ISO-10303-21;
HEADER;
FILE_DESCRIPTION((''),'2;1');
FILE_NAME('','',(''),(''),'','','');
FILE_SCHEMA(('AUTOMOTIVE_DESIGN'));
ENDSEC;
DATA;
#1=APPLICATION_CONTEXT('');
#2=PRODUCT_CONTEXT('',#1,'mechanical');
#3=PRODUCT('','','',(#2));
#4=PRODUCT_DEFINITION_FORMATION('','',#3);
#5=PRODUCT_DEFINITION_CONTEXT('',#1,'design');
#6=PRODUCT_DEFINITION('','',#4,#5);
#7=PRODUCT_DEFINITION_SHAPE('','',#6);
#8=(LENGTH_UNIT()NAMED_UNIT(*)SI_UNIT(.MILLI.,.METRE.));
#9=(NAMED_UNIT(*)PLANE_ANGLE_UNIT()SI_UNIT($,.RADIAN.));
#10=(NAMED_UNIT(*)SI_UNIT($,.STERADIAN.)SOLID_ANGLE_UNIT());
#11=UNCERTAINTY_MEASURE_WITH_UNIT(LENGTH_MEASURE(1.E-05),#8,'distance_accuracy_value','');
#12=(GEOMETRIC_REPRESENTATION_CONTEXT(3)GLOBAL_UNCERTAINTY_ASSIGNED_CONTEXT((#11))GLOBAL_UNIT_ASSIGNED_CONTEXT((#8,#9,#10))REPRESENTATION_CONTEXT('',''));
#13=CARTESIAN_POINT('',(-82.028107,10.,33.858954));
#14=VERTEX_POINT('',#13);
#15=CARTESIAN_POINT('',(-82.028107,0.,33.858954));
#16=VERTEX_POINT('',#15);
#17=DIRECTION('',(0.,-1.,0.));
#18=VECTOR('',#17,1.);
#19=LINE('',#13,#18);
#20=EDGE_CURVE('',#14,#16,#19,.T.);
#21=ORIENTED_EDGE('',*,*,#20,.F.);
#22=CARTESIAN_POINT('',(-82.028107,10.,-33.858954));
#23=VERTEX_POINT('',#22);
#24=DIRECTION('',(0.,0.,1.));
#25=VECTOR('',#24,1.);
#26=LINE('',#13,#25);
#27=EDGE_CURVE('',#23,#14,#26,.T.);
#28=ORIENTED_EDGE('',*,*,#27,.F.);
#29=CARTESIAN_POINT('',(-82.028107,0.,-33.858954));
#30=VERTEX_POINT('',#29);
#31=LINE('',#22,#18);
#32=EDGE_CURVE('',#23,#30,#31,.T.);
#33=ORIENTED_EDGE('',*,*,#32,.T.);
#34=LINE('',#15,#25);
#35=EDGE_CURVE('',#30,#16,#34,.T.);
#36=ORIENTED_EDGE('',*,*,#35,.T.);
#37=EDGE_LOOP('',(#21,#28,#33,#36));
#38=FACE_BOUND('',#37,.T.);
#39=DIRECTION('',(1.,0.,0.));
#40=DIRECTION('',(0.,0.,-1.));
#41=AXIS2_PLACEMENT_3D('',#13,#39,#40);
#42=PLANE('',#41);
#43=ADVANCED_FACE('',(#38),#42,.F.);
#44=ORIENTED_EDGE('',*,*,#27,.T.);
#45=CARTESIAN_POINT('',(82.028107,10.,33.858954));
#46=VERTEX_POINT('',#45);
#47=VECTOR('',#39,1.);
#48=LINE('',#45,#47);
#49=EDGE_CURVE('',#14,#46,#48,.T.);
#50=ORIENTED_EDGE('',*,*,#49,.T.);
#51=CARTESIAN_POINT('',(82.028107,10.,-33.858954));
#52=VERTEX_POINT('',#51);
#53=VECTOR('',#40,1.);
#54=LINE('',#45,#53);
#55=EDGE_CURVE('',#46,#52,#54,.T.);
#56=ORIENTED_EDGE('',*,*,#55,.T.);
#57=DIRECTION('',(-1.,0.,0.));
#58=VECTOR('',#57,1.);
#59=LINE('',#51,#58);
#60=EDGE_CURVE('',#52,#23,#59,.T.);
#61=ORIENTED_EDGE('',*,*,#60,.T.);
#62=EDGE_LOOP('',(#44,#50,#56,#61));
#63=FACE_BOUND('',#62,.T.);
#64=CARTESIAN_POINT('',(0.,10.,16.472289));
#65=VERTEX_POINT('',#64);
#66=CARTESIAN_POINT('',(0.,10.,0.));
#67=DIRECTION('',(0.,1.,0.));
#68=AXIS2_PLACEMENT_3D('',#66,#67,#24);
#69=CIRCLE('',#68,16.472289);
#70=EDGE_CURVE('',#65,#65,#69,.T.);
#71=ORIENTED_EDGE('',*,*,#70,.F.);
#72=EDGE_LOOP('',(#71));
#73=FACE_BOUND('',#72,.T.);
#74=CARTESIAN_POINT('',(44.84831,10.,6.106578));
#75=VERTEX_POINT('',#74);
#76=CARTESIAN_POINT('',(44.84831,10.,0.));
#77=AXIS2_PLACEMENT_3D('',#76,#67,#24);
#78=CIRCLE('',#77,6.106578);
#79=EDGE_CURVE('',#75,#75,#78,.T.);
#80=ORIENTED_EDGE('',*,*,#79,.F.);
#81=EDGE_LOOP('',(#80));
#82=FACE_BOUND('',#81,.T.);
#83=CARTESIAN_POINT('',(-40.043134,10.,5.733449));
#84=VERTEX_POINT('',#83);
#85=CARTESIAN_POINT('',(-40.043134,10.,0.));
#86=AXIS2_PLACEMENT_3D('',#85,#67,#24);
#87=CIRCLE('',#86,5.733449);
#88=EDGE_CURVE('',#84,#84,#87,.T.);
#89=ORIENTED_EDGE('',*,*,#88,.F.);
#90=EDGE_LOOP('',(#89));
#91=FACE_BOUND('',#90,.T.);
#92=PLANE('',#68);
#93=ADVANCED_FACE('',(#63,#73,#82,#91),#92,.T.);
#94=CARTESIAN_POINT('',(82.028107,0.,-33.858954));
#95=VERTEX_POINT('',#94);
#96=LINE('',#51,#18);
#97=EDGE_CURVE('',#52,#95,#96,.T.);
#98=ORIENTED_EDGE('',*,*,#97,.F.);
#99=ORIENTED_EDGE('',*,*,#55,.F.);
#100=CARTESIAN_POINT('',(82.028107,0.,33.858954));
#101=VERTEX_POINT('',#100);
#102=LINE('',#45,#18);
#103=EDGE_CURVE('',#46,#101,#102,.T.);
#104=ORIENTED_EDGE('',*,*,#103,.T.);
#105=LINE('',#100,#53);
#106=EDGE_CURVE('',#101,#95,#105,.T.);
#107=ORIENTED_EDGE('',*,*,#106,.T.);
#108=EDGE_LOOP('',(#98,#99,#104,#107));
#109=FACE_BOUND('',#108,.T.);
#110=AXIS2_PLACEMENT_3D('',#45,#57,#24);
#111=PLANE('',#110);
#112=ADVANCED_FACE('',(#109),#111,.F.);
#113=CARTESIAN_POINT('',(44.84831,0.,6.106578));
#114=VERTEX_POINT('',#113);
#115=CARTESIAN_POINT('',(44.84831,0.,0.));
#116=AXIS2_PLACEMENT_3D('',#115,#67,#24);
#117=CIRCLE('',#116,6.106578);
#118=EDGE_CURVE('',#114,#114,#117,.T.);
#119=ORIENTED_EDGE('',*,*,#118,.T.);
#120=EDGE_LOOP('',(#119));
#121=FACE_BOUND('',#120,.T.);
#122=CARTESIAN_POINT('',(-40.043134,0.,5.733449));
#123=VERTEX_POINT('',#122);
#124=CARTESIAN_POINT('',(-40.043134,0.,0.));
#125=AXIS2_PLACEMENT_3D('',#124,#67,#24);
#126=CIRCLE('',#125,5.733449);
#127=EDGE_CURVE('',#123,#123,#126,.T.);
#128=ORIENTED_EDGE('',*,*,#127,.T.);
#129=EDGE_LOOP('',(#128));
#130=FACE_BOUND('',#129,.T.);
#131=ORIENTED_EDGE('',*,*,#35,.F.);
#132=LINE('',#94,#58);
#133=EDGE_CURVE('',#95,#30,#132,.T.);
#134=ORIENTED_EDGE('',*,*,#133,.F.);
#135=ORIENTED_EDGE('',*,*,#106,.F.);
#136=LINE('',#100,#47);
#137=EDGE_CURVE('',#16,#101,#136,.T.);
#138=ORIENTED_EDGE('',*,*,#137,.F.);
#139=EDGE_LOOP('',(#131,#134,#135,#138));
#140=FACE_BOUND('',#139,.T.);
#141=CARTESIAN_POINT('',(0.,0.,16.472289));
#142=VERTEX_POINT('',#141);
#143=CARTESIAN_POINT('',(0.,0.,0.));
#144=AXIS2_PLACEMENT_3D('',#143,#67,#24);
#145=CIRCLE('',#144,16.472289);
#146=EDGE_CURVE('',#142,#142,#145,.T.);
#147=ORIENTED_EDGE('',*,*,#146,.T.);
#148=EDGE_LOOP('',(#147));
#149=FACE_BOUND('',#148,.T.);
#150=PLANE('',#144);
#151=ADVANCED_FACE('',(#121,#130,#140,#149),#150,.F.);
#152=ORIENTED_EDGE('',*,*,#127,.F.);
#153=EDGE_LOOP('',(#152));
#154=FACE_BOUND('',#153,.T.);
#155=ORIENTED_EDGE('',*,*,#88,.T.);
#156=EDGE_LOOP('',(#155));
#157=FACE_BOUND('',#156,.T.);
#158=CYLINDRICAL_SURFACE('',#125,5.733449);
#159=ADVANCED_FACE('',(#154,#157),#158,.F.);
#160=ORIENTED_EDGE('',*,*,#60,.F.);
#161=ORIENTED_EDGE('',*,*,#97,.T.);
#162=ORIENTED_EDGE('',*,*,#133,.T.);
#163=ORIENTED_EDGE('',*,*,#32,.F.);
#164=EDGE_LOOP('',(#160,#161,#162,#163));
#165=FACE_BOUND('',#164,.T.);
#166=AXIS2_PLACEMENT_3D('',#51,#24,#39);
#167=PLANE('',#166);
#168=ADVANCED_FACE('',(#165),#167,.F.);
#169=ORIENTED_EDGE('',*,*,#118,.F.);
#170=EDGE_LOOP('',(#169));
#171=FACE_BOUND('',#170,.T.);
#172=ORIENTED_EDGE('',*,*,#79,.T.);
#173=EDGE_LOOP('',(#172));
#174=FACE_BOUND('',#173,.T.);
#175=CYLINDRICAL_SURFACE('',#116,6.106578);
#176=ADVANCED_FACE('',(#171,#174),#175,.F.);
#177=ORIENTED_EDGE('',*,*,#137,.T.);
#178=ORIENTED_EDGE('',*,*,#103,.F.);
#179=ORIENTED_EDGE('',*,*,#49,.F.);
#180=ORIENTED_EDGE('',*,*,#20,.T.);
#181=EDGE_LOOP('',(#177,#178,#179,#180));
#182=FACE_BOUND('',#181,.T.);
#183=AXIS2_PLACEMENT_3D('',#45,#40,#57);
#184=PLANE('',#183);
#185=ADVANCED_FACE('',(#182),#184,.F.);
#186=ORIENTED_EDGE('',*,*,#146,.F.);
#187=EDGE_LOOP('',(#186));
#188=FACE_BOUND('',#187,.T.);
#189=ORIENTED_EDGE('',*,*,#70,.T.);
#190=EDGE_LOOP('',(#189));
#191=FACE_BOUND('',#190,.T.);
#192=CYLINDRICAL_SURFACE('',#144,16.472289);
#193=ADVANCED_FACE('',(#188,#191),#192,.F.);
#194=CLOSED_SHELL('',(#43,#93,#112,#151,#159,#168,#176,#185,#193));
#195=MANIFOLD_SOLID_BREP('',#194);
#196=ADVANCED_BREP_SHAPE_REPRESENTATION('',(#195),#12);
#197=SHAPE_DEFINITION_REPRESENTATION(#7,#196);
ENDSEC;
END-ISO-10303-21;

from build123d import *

# Parameters (mm, degrees)
SKETCH1_W           = 164.056213182
SKETCH1_H           = 67.71790731
BOSS_EXTRUDE1_DEPTH = 10
SKETCH2_R           = 5.733448678
CUT_EXTRUDE1_DEPTH  = 10
SKETCH4_R           = 6.106577878
CUT_EXTRUDE2_DEPTH  = 10
SKETCH6_R           = 16.472289059
CUT_EXTRUDE3_DEPTH  = 10


with BuildPart() as part:
    # Sketch1 → Boss-Extrude1 (new body)
    with BuildSketch(Plane(origin=(0, 0, 0), x_dir=(1, 0, 0), z_dir=(0, 1, 0))):
        Rectangle(SKETCH1_W, SKETCH1_H)
    extrude(amount=BOSS_EXTRUDE1_DEPTH)

    # Sketch2 → Cut-Extrude1 (cut)
    with BuildSketch(Plane(origin=(0, 10, 0), x_dir=(1, 0, 0), z_dir=(0, 1, 0))):
        with Locations(Location((-40.043133624, 0, 0), (0, 0, 270))):
            Circle(SKETCH2_R)
    extrude(amount=-CUT_EXTRUDE1_DEPTH, mode=Mode.SUBTRACT)

    # Sketch4 → Cut-Extrude2 (cut)
    with BuildSketch(Plane(origin=(0, 10, 0), x_dir=(1, 0, 0), z_dir=(0, 1, 0))):
        with Locations(Location((44.848309659, 0, 0), (0, 0, 270))):
            Circle(SKETCH4_R)
    extrude(amount=-CUT_EXTRUDE2_DEPTH, mode=Mode.SUBTRACT)

    # Sketch6 → Cut-Extrude3 (cut)
    with BuildSketch(Plane(origin=(0, 10, 0), x_dir=(1, 0, 0), z_dir=(0, 1, 0))):
        with Locations(Location((0, 0, 0), (0, 0, 270))):
            Circle(SKETCH6_R)
    extrude(amount=-CUT_EXTRUDE3_DEPTH, mode=Mode.SUBTRACT)


solid = part.part
